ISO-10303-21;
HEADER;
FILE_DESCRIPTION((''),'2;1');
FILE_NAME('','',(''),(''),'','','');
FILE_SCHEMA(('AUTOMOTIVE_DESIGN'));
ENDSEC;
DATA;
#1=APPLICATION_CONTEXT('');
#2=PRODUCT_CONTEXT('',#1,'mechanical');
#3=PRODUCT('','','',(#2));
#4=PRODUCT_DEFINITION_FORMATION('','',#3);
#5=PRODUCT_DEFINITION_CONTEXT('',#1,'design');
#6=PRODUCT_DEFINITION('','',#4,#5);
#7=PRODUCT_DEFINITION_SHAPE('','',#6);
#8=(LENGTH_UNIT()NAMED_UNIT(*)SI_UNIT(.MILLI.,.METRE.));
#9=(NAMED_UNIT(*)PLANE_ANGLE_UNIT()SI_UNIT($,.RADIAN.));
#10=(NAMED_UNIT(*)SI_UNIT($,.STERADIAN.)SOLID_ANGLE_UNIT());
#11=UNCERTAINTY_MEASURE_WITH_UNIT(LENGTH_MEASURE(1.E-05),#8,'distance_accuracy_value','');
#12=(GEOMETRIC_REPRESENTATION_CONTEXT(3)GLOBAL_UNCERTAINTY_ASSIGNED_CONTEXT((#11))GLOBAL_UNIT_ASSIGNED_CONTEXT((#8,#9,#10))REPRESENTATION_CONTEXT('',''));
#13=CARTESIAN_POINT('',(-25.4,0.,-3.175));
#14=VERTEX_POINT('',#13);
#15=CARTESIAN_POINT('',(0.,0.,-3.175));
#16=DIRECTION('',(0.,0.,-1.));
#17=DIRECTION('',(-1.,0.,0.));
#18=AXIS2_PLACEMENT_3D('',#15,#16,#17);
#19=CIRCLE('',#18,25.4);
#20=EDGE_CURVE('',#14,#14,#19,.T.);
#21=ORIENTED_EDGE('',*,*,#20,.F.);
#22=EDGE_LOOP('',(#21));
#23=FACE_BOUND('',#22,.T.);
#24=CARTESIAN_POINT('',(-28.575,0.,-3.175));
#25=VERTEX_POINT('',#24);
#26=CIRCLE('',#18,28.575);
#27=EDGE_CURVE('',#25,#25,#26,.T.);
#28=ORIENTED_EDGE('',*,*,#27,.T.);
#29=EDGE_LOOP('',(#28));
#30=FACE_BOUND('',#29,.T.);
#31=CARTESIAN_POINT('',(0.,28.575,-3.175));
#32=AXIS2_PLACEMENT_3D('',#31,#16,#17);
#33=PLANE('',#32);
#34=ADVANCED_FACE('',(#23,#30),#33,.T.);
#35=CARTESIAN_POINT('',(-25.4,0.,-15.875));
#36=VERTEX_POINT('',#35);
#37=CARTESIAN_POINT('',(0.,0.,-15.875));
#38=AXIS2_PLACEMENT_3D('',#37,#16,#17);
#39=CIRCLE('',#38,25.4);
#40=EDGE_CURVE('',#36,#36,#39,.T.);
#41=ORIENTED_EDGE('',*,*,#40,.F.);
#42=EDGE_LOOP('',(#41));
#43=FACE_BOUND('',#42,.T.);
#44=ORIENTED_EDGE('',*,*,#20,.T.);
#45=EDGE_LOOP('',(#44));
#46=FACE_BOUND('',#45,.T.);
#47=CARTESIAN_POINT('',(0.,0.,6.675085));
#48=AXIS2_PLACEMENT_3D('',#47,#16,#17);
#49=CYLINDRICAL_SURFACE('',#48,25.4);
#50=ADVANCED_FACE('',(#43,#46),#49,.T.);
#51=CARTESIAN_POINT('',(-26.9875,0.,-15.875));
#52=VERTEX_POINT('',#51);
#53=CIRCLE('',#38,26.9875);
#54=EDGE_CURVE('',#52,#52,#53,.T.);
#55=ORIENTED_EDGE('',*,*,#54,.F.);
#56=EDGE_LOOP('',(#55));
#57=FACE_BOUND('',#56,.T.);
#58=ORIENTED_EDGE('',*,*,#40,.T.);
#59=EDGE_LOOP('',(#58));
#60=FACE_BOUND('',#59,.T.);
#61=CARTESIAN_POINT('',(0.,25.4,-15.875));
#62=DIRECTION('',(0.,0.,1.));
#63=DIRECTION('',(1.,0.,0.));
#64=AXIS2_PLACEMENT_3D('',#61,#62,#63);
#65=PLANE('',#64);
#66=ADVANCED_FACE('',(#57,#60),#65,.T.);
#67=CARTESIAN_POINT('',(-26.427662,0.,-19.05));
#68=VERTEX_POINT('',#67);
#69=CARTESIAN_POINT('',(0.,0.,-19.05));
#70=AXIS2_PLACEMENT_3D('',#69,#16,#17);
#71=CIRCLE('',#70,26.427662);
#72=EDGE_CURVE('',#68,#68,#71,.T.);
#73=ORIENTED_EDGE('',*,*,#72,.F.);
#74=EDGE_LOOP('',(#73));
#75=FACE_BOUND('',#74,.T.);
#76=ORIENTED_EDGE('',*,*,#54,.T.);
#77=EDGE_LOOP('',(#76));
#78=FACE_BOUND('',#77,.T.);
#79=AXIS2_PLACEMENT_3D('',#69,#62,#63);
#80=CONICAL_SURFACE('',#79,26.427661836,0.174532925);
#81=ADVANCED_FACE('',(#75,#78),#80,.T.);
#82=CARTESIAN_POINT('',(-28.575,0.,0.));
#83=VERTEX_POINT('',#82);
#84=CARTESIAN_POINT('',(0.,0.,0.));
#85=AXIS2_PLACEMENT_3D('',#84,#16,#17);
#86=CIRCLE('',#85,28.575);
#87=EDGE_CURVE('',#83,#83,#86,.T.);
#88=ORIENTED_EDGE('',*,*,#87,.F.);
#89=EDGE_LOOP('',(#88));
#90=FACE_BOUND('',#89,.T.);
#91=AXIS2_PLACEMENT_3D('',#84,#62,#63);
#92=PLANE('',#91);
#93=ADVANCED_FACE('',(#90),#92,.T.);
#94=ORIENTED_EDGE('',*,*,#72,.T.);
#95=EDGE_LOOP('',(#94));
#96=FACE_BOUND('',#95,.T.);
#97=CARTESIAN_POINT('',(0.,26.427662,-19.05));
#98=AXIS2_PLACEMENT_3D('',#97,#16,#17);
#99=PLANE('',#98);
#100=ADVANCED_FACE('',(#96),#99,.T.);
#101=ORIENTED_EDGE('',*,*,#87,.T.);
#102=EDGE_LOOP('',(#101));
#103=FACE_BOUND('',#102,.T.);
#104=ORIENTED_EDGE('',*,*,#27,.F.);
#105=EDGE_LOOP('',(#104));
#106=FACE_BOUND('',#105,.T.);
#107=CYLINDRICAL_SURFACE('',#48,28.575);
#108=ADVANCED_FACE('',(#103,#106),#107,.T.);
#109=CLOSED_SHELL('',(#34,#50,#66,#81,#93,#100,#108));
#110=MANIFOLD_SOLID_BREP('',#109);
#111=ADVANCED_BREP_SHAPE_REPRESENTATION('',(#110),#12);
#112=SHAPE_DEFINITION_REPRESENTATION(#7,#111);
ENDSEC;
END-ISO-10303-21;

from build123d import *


with BuildPart() as part:
    # Sketch1 → Revolve1 (revolve)
    with BuildSketch(Plane(origin=(0, 0, 0), x_dir=(0, 0, -1), z_dir=(1, 0, 0))):
        Polygon((0, 0), (0, 28.575), (3.175, 28.575), (3.175, 25.4), (15.875, 25.4), (15.875, 26.9875), (19.05, 26.427661836), (19.05, 0), align=None)
    revolve(axis=Axis((0, 0, 6.675085324), (0, 0, 1)))


solid = part.part
